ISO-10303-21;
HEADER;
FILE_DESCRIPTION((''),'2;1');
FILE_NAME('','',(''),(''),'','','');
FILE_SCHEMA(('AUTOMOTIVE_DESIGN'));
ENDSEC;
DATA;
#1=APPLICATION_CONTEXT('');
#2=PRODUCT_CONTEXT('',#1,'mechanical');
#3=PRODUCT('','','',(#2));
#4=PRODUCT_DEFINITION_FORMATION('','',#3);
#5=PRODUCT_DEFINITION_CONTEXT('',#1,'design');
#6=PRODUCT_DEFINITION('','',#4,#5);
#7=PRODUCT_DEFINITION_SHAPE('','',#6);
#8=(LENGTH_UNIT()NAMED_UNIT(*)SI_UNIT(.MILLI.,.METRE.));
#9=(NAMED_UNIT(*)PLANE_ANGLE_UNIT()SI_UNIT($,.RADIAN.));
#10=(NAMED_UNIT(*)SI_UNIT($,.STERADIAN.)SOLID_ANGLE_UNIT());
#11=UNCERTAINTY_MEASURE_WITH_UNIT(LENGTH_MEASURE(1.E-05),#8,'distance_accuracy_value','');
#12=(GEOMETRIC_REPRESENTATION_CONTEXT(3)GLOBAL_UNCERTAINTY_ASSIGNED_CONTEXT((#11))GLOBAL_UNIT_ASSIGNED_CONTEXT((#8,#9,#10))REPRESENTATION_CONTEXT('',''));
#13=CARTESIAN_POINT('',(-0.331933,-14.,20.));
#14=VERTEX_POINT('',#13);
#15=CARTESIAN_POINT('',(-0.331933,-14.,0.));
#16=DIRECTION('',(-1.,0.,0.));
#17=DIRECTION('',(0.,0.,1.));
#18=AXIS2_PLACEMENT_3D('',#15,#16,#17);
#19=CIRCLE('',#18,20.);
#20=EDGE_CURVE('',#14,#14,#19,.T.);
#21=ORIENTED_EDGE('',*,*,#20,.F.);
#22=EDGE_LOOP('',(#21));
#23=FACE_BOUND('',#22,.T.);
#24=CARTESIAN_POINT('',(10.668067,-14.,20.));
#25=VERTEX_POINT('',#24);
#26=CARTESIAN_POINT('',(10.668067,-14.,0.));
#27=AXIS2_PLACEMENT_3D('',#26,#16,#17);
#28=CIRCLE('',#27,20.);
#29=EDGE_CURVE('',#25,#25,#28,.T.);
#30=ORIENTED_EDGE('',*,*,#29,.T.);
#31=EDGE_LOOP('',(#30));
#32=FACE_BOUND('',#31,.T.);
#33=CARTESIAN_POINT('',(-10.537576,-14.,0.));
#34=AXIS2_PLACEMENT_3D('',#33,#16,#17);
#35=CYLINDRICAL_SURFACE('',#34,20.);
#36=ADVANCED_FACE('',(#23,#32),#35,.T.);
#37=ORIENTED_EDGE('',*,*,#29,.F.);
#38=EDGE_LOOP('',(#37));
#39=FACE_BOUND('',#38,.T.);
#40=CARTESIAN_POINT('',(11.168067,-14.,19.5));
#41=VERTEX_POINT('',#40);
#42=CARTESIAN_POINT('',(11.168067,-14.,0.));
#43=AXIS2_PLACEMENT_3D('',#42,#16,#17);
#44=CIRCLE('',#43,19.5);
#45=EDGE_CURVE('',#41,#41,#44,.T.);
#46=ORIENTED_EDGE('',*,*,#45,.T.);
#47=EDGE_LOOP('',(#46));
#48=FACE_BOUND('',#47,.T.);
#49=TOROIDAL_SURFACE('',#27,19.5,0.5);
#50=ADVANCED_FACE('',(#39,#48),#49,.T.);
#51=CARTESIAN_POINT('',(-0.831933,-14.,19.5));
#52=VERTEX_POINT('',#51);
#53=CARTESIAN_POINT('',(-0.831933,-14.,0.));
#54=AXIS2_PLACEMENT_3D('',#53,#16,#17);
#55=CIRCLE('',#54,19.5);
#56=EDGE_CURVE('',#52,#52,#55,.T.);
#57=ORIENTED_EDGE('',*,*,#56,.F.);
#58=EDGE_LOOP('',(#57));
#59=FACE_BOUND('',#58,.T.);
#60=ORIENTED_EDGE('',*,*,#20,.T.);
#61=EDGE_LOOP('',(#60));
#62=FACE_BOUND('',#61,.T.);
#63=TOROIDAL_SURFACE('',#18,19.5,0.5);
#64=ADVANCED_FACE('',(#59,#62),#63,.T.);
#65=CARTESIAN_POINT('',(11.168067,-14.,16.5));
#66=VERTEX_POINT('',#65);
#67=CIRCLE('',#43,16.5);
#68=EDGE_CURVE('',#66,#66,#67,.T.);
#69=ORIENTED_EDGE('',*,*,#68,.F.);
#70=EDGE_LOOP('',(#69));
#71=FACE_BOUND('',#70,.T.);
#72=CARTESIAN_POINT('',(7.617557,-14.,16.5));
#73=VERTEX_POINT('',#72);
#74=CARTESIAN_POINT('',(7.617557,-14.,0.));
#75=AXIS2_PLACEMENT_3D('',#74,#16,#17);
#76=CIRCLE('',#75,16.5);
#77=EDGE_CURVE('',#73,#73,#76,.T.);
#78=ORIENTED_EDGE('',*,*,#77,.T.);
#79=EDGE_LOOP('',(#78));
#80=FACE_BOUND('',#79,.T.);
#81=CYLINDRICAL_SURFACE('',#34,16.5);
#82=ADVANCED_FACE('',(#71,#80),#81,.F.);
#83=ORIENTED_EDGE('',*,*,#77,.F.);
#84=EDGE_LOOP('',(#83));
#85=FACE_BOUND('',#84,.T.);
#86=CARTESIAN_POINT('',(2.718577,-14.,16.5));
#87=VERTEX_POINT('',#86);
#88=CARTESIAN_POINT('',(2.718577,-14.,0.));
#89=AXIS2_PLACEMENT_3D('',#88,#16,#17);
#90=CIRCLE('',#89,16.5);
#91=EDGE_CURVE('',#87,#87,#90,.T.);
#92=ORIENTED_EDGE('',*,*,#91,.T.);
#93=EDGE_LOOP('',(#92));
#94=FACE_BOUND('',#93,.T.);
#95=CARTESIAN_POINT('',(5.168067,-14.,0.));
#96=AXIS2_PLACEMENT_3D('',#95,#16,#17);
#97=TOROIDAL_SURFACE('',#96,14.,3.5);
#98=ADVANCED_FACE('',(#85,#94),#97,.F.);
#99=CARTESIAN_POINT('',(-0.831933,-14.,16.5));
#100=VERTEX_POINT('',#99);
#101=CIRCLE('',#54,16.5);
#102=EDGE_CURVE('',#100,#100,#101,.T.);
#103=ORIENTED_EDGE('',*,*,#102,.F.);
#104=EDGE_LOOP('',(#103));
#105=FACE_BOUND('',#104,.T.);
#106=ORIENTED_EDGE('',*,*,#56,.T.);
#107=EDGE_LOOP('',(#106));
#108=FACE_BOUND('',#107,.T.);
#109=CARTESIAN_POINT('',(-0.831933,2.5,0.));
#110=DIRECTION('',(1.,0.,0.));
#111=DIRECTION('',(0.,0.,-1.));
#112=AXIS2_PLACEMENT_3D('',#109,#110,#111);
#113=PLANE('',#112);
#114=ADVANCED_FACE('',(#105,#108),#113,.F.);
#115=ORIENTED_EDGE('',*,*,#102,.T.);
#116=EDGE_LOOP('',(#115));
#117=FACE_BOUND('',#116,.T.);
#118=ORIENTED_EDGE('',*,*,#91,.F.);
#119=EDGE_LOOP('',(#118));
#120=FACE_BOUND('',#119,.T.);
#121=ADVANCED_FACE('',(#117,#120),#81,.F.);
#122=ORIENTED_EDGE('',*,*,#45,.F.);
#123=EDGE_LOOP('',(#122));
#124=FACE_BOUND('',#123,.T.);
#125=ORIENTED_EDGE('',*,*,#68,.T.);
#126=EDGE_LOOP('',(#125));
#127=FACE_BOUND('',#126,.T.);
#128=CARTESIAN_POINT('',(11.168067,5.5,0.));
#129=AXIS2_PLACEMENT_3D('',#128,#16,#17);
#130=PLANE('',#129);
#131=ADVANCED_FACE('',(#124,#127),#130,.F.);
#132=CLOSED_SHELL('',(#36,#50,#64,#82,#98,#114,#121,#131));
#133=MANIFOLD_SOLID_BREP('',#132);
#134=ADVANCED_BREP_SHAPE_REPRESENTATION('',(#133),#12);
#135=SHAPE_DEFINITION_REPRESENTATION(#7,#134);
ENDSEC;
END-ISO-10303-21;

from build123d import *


with BuildPart() as part:
    # Sketch1 → Revolve1 (revolve)
    with BuildSketch(Plane.XY):
        with BuildLine():
            Line((-0.831932773, 2.5), (-0.831932773, 5.5))
            ThreePointArc((-0.831932773, 5.5), (-0.685486164, 5.853553391), (-0.331932773, 6))
            Line((-0.331932773, 6), (10.668067227, 6))
            ThreePointArc((10.668067227, 6), (11.021620617, 5.853553391), (11.168067227, 5.5))
            Line((11.168067227, 5.5), (11.168067227, 2.5))
            Line((11.168067227, 2.5), (7.61755697, 2.5))
            ThreePointArc((7.61755697, 2.5), (5.168067227, 3.5), (2.718577484, 2.5))
            Line((2.718577484, 2.5), (-0.831932773, 2.5))
        make_face()
    revolve(axis=Axis((-10.537576458, -14, 0), (1, 0, 0)))


solid = part.part
